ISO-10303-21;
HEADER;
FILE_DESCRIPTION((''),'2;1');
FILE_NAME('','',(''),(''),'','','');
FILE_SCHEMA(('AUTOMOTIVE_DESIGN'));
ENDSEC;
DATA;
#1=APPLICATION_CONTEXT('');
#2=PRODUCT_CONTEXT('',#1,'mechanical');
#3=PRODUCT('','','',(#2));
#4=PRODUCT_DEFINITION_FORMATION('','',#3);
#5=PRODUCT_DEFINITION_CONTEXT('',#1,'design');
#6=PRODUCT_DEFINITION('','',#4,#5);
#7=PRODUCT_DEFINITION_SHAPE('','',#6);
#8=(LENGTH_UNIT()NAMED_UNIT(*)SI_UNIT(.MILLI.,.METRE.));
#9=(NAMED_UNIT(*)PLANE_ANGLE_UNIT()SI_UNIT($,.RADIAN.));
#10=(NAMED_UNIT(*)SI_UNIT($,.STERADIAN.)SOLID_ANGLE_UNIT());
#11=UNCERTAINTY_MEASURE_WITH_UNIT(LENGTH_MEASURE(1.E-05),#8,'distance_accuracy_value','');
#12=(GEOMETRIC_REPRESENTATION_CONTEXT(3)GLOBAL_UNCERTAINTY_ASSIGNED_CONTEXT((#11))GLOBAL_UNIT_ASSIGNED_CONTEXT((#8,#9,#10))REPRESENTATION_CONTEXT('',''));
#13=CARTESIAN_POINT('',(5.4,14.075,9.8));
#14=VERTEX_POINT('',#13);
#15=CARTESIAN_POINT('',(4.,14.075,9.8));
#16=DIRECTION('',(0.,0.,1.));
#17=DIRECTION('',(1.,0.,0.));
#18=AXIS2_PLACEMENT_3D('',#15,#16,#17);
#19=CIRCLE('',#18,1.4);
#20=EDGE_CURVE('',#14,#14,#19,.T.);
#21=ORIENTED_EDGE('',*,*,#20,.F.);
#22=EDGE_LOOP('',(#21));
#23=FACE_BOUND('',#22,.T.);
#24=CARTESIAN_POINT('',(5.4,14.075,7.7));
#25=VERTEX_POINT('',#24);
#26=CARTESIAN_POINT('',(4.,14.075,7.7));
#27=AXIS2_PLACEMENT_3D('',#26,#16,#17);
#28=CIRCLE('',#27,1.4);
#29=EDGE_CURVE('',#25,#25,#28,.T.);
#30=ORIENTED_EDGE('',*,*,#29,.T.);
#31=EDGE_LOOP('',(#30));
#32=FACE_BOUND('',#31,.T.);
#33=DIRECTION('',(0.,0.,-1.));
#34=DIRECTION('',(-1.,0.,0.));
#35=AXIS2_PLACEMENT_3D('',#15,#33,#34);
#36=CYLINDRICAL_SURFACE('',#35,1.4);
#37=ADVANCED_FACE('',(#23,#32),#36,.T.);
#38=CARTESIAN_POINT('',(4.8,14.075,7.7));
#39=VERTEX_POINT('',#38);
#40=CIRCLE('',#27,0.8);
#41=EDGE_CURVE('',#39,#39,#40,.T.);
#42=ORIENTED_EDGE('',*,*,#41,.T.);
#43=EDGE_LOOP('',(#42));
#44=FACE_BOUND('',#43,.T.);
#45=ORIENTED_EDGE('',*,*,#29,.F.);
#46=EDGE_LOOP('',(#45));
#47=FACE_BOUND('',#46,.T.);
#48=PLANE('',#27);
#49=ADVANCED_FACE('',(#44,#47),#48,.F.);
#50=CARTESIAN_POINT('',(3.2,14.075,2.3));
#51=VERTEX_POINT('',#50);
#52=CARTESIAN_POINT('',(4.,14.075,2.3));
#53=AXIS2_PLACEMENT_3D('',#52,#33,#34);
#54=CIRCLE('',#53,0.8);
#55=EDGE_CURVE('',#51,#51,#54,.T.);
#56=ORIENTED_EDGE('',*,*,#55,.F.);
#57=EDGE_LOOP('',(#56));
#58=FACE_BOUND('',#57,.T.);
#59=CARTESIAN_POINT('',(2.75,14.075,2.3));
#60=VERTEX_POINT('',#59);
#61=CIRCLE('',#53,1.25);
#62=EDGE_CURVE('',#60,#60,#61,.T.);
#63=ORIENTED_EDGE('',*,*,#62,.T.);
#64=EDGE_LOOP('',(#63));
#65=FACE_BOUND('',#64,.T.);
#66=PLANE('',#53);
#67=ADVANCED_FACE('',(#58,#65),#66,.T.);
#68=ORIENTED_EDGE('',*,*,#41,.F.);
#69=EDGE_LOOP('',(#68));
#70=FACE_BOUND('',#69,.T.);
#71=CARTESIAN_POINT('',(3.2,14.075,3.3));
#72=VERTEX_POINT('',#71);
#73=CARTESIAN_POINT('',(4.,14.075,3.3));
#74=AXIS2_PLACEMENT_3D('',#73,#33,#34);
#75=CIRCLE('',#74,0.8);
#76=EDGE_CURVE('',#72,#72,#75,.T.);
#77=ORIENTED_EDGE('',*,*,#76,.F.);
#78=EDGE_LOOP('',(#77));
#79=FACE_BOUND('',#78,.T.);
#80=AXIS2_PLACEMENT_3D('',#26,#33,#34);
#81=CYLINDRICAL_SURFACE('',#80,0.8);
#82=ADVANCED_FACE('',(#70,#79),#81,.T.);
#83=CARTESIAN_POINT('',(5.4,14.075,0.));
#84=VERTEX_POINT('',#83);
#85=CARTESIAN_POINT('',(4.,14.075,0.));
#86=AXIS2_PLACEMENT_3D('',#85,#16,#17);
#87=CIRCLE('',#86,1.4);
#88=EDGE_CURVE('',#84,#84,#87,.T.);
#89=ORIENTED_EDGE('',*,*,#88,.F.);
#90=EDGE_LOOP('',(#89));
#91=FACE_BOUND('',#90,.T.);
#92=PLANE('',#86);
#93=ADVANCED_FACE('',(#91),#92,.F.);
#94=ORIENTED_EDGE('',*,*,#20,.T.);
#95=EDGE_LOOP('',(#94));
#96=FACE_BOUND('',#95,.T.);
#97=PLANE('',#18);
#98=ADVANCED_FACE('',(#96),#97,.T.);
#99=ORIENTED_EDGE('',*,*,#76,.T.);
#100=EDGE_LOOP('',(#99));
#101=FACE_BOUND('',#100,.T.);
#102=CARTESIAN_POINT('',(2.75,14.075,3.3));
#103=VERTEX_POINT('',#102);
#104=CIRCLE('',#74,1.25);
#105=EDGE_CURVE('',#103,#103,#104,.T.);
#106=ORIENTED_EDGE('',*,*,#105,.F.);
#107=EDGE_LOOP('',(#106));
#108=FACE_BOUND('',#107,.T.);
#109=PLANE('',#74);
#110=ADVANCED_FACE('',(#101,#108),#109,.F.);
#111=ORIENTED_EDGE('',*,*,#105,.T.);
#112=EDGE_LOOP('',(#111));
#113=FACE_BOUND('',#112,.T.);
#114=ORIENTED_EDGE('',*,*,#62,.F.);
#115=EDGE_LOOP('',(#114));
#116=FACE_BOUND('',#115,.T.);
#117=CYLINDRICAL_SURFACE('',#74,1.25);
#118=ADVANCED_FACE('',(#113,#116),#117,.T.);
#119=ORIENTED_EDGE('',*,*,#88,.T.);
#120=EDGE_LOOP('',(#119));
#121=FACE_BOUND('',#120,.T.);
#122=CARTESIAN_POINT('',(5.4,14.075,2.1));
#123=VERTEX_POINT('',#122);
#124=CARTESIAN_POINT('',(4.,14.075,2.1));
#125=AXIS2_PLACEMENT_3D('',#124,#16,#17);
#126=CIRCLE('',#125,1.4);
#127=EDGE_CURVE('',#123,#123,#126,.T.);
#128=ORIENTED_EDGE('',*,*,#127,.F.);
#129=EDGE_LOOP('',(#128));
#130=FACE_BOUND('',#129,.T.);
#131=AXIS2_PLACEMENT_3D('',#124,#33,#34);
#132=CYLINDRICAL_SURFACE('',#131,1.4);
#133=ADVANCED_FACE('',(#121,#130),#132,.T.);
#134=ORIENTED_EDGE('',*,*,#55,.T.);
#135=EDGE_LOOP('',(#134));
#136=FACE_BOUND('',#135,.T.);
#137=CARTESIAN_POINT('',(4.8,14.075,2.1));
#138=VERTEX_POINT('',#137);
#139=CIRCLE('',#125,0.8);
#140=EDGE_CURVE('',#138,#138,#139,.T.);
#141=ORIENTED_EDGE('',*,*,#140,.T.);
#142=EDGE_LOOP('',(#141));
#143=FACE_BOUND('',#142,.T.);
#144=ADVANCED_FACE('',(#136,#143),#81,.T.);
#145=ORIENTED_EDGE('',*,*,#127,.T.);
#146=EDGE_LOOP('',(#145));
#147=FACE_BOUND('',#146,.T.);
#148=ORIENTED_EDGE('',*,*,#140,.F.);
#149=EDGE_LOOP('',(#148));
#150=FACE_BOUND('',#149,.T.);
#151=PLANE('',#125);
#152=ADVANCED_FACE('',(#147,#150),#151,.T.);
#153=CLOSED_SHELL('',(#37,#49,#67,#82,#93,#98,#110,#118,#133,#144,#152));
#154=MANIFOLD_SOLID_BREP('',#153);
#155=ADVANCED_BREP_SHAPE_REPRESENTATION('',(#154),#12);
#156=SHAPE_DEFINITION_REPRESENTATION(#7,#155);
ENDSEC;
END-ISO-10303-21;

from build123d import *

# Parameters (mm, degrees)
ESQUISSE1_R        = 1.4
BOSS_EXTRU_1_DEPTH = 2.1
ESQUISSE2_R        = 0.8
BOSS_EXTRU_2_DEPTH = 5.6
ESQUISSE3_R        = 1.4
BOSS_EXTRU_3_DEPTH = 2.1
BOSS_EXTRU_4_START = -2.3
ESQUISSE4_R        = 1.25
BOSS_EXTRU_4_DEPTH = 1


with BuildPart() as part:
    # Esquisse1 → Boss.-Extru.1 (new body)
    with BuildSketch(Plane.XY):
        with Locations((4, 14.075)):
            Circle(ESQUISSE1_R)
    extrude(amount=BOSS_EXTRU_1_DEPTH)

    # Esquisse2 → Boss.-Extru.2 (add)
    with BuildSketch(Plane.XY.offset(2.1)):
        with Locations((4, 14.075)):
            Circle(ESQUISSE2_R)
    extrude(amount=BOSS_EXTRU_2_DEPTH)

    # Esquisse3 → Boss.-Extru.3 (add)
    with BuildSketch(Plane.XY.offset(7.7)):
        with Locations((4, 14.075)):
            Circle(ESQUISSE3_R)
    extrude(amount=BOSS_EXTRU_3_DEPTH)

    # Esquisse4 → Boss.-Extru.4 (add)
    with BuildSketch(Plane(origin=(0, 0, 0), x_dir=(-1, 0, 0), z_dir=(0, 0, -1)).offset(BOSS_EXTRU_4_START)):
        with Locations((-4, 14.075)):
            Circle(ESQUISSE4_R)
    extrude(amount=-BOSS_EXTRU_4_DEPTH)


solid = part.part
